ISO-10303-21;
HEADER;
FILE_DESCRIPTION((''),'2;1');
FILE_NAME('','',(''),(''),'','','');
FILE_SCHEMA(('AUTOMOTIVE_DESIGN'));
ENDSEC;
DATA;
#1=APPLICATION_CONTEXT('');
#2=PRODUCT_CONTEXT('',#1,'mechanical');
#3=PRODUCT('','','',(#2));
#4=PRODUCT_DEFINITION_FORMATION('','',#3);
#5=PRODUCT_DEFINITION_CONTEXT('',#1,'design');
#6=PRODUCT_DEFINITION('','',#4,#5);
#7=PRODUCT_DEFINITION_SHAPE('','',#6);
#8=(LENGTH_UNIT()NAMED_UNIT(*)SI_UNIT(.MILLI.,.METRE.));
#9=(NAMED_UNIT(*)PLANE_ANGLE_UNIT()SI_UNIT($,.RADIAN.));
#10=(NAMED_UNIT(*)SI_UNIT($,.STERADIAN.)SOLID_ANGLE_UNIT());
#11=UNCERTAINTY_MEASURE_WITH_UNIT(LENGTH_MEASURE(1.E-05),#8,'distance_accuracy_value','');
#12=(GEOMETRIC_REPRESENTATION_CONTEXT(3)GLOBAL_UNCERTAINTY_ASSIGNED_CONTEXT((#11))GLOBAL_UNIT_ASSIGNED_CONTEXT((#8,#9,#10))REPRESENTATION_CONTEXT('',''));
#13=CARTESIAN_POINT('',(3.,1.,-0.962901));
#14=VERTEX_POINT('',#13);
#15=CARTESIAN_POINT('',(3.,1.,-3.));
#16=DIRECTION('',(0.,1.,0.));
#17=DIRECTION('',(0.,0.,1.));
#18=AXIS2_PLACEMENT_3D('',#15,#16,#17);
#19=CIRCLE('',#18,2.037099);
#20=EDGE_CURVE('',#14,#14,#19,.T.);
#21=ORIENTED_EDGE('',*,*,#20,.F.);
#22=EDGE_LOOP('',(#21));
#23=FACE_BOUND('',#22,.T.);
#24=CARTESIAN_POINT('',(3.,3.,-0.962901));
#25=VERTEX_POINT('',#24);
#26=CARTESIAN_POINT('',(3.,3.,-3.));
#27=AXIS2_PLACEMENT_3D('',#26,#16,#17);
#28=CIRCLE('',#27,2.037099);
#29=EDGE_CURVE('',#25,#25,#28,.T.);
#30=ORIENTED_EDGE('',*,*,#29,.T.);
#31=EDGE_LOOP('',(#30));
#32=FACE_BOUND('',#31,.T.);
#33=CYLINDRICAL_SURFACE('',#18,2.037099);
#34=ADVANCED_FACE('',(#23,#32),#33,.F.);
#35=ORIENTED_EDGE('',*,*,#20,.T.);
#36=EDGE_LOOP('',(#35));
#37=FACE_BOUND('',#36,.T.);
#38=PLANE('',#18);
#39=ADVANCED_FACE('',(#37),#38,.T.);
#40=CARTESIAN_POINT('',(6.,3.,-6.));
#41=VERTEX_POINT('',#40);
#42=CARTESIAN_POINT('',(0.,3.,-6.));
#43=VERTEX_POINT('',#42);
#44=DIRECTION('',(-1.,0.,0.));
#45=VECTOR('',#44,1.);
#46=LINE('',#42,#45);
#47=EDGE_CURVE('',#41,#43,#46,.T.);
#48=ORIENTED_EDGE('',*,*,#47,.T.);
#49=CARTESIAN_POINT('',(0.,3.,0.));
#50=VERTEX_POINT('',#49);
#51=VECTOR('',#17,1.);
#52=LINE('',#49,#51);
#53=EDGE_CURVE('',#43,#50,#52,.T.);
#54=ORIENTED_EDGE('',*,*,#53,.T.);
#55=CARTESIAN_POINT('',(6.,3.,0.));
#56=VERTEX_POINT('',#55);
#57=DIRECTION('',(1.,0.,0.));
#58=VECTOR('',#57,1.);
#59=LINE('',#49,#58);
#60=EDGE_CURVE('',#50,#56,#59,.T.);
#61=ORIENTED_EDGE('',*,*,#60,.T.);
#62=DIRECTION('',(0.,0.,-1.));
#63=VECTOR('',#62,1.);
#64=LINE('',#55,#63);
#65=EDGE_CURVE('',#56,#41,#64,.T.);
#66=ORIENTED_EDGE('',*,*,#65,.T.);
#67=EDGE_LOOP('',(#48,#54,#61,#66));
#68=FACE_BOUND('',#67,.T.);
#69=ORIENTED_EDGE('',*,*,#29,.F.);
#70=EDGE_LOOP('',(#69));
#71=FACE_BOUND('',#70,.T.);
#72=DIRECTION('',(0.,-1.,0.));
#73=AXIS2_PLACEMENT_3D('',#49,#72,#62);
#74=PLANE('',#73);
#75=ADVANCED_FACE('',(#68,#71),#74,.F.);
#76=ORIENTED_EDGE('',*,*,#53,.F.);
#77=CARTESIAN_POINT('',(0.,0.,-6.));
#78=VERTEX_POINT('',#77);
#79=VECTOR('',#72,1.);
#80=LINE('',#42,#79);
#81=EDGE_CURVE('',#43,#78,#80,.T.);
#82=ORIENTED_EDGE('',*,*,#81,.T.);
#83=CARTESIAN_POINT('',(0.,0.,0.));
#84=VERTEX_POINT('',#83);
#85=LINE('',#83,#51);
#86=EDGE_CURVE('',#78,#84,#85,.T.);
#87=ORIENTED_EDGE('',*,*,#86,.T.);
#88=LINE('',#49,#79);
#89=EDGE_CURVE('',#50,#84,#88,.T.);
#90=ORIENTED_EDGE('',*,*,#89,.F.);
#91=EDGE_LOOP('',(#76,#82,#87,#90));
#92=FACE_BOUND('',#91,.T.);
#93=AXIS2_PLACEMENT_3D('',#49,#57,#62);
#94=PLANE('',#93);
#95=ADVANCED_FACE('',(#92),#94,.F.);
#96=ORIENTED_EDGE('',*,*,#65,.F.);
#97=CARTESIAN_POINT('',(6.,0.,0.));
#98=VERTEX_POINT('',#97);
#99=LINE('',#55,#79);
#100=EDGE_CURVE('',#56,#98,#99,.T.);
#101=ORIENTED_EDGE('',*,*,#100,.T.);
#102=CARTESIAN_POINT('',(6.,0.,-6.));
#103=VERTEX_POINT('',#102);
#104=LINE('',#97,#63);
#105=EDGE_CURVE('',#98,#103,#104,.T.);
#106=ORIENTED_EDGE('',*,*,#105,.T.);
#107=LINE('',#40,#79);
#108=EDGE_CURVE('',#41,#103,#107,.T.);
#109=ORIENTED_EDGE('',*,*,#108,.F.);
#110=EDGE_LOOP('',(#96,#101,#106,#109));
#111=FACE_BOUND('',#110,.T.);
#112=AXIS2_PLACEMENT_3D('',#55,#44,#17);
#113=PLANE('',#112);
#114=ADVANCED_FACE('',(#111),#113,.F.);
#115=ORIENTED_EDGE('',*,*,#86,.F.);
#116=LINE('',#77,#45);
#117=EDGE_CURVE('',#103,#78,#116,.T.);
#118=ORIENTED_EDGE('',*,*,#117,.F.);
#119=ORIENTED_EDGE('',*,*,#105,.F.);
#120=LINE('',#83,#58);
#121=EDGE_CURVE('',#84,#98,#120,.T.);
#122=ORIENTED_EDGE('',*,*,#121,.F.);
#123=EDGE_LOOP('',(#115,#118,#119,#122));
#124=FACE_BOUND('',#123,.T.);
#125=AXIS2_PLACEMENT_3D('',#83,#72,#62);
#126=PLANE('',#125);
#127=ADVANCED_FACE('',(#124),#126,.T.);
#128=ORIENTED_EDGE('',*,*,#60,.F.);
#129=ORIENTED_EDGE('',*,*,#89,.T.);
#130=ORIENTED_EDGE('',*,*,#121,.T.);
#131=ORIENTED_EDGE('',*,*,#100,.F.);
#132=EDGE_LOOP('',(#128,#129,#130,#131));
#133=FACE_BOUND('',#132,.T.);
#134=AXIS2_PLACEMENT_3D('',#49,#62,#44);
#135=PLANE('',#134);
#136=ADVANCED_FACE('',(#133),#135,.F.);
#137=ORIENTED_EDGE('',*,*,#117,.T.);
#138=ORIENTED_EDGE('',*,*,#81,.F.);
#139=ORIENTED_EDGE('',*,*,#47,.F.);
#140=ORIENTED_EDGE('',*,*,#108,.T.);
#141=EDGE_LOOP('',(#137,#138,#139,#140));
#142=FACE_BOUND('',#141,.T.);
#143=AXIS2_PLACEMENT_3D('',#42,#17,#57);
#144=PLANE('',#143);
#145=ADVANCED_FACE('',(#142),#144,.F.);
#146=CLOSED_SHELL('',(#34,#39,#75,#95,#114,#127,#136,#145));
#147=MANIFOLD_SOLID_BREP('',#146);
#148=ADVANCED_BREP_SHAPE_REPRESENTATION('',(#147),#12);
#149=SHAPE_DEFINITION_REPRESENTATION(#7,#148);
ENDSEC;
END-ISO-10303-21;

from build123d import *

# Parameters (mm, degrees)
ESQUISSE1_W             = 6
ESQUISSE1_H             = 6
EXTRUSION1_DEPTH        = 3
ESQUISSE2_R             = 2.037099296
ENL_V_MAT_EXTRU_1_DEPTH = 2


with BuildPart() as part:
    # Esquisse1 → Extrusion1 (new body)
    with BuildSketch(Plane(origin=(0, 0, 0), x_dir=(1, 0, 0), z_dir=(0, 1, 0))):
        with Locations((3, 3)):
            Rectangle(ESQUISSE1_W, ESQUISSE1_H)
    extrude(amount=EXTRUSION1_DEPTH)

    # Esquisse2 → Enlèv. mat.-Extru.1 (cut)
    with BuildSketch(Plane(origin=(0, 3, 0), x_dir=(-1, 0, 0), z_dir=(0, 1, 0))):
        with Locations(Location((-3, -3, 0), (0, 0, 90))):  # turned: the seam where the file's is
            Circle(ESQUISSE2_R)
    extrude(amount=-ENL_V_MAT_EXTRU_1_DEPTH, mode=Mode.SUBTRACT)


solid = part.part
